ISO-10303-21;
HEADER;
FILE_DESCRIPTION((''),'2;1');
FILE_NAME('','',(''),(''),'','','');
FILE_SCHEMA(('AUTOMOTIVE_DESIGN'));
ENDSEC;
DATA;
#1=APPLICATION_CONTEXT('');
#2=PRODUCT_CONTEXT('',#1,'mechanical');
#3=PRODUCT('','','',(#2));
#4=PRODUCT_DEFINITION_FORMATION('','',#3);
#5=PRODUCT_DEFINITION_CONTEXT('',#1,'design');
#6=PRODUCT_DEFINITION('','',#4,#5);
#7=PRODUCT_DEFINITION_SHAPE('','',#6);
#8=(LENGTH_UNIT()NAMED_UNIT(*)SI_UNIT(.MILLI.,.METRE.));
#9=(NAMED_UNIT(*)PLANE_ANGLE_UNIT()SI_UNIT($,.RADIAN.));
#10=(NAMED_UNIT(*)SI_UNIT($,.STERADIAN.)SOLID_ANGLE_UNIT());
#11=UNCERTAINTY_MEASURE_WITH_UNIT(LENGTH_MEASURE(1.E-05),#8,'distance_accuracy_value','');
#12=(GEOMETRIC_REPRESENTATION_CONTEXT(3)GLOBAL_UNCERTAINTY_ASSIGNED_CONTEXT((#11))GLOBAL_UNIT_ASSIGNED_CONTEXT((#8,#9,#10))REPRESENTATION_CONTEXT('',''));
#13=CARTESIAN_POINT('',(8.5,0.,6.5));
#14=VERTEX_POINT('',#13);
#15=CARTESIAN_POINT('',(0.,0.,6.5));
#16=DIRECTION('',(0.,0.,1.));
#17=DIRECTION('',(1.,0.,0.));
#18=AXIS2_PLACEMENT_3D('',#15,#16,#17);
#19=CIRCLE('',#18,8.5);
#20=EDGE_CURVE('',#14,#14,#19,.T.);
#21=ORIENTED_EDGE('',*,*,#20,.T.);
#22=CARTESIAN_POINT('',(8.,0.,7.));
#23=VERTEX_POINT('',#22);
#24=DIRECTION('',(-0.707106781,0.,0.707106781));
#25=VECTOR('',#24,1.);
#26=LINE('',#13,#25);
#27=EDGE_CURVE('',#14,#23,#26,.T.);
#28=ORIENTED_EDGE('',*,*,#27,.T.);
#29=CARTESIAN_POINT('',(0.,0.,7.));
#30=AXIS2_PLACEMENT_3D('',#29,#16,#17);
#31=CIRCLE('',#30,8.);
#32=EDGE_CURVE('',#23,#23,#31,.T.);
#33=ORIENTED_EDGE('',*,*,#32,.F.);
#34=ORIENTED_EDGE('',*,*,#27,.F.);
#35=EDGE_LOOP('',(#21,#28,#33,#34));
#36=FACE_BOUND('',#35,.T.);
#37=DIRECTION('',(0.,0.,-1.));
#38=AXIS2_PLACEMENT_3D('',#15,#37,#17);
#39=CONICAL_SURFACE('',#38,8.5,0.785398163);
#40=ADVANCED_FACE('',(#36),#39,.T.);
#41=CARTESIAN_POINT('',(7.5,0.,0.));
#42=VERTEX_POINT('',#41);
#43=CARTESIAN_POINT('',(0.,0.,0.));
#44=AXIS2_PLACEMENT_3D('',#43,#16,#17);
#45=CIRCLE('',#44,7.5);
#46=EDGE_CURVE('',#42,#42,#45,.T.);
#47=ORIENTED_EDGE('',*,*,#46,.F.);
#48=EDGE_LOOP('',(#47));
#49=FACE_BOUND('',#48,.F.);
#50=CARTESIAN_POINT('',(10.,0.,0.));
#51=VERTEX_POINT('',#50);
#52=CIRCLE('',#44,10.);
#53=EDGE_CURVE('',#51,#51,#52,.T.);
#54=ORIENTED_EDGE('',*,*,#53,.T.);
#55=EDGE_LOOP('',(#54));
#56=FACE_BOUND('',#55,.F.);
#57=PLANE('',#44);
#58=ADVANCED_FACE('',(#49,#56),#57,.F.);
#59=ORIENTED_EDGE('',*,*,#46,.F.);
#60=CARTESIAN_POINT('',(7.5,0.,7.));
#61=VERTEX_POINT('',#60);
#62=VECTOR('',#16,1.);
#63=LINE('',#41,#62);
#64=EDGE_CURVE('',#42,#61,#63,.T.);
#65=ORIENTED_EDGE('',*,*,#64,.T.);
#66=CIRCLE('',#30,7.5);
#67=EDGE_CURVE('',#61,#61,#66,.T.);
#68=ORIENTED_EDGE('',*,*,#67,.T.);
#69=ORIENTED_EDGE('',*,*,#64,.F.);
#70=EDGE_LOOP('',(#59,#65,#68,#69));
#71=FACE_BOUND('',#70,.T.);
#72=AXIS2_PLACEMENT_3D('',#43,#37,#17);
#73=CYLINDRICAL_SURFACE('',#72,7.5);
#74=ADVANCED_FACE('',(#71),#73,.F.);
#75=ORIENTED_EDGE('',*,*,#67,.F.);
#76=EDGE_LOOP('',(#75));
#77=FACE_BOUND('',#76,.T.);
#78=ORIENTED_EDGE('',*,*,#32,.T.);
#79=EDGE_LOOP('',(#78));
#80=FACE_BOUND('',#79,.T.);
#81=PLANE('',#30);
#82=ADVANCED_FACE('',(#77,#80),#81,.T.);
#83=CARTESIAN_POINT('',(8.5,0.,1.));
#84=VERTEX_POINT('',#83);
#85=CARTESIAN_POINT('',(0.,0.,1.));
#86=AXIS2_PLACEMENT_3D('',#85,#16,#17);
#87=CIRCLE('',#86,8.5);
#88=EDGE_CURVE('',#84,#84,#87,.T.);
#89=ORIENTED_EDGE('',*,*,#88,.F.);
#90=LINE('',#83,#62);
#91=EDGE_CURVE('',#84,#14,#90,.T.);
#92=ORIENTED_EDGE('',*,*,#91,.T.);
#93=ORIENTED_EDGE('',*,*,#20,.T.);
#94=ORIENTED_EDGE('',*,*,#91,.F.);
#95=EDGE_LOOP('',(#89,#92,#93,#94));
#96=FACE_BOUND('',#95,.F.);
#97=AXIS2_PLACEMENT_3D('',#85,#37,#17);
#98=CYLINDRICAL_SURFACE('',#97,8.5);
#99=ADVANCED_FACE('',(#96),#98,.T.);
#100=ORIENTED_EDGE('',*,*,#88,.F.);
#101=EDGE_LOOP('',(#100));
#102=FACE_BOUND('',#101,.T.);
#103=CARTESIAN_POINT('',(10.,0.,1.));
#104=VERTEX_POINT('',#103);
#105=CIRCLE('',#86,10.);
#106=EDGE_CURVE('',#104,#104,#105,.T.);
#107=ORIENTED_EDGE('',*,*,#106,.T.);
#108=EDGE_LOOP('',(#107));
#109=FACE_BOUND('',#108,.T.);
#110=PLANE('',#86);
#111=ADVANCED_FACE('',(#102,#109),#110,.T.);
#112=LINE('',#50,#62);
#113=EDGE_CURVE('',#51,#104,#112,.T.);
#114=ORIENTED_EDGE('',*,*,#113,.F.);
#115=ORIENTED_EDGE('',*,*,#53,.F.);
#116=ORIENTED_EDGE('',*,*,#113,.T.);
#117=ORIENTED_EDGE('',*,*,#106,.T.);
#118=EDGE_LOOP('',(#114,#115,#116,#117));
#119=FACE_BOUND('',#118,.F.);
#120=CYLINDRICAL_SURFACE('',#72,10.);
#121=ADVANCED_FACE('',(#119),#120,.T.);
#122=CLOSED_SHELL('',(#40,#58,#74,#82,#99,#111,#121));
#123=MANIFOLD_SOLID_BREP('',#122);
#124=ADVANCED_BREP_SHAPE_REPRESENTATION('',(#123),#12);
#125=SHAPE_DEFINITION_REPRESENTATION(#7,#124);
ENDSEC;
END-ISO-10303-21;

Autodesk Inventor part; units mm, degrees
ref_plane "YZ Plane" through (0, 0, 0) normal (1, 0, 0) x (0, 1, 0)
ref_plane "XZ Plane" through (0, 0, 0) normal (0, 1, 0) x (-1, 0, 0)
ref_plane "XY Plane" through (0, 0, 0) normal (0, 0, 1) x (1, 0, 0)
sketch "Sketch1" plane through (0, 0, 0) normal (0, 0, 1) x (1, 0, 0)
  circle A0 centre (0, 0) radius 7.5
  circle A1 centre (0, 0) radius 10
  dimension "d0" = 15
  dimension "d1" = 20
extrude "Extrusion1" add sketch "Sketch1" along normal blind 1
sketch "Sketch2" plane through (0, 0, 1) normal (0, 0, 1) x (1, 0, 0)
  circle A0 centre (0, 0) radius 8.5
  circle A1 centre (0, 0) radius 7.5 projected
  dimension "d4" = 17
extrude "Extrusion2" add sketch "Sketch2" along normal blind 6
chamfer "Chamfer1" distance 0.5 angle 45 1 edges at (-8.5, 0, 7)
properties part number "オイレス" material "Acetal Resin, Black"
